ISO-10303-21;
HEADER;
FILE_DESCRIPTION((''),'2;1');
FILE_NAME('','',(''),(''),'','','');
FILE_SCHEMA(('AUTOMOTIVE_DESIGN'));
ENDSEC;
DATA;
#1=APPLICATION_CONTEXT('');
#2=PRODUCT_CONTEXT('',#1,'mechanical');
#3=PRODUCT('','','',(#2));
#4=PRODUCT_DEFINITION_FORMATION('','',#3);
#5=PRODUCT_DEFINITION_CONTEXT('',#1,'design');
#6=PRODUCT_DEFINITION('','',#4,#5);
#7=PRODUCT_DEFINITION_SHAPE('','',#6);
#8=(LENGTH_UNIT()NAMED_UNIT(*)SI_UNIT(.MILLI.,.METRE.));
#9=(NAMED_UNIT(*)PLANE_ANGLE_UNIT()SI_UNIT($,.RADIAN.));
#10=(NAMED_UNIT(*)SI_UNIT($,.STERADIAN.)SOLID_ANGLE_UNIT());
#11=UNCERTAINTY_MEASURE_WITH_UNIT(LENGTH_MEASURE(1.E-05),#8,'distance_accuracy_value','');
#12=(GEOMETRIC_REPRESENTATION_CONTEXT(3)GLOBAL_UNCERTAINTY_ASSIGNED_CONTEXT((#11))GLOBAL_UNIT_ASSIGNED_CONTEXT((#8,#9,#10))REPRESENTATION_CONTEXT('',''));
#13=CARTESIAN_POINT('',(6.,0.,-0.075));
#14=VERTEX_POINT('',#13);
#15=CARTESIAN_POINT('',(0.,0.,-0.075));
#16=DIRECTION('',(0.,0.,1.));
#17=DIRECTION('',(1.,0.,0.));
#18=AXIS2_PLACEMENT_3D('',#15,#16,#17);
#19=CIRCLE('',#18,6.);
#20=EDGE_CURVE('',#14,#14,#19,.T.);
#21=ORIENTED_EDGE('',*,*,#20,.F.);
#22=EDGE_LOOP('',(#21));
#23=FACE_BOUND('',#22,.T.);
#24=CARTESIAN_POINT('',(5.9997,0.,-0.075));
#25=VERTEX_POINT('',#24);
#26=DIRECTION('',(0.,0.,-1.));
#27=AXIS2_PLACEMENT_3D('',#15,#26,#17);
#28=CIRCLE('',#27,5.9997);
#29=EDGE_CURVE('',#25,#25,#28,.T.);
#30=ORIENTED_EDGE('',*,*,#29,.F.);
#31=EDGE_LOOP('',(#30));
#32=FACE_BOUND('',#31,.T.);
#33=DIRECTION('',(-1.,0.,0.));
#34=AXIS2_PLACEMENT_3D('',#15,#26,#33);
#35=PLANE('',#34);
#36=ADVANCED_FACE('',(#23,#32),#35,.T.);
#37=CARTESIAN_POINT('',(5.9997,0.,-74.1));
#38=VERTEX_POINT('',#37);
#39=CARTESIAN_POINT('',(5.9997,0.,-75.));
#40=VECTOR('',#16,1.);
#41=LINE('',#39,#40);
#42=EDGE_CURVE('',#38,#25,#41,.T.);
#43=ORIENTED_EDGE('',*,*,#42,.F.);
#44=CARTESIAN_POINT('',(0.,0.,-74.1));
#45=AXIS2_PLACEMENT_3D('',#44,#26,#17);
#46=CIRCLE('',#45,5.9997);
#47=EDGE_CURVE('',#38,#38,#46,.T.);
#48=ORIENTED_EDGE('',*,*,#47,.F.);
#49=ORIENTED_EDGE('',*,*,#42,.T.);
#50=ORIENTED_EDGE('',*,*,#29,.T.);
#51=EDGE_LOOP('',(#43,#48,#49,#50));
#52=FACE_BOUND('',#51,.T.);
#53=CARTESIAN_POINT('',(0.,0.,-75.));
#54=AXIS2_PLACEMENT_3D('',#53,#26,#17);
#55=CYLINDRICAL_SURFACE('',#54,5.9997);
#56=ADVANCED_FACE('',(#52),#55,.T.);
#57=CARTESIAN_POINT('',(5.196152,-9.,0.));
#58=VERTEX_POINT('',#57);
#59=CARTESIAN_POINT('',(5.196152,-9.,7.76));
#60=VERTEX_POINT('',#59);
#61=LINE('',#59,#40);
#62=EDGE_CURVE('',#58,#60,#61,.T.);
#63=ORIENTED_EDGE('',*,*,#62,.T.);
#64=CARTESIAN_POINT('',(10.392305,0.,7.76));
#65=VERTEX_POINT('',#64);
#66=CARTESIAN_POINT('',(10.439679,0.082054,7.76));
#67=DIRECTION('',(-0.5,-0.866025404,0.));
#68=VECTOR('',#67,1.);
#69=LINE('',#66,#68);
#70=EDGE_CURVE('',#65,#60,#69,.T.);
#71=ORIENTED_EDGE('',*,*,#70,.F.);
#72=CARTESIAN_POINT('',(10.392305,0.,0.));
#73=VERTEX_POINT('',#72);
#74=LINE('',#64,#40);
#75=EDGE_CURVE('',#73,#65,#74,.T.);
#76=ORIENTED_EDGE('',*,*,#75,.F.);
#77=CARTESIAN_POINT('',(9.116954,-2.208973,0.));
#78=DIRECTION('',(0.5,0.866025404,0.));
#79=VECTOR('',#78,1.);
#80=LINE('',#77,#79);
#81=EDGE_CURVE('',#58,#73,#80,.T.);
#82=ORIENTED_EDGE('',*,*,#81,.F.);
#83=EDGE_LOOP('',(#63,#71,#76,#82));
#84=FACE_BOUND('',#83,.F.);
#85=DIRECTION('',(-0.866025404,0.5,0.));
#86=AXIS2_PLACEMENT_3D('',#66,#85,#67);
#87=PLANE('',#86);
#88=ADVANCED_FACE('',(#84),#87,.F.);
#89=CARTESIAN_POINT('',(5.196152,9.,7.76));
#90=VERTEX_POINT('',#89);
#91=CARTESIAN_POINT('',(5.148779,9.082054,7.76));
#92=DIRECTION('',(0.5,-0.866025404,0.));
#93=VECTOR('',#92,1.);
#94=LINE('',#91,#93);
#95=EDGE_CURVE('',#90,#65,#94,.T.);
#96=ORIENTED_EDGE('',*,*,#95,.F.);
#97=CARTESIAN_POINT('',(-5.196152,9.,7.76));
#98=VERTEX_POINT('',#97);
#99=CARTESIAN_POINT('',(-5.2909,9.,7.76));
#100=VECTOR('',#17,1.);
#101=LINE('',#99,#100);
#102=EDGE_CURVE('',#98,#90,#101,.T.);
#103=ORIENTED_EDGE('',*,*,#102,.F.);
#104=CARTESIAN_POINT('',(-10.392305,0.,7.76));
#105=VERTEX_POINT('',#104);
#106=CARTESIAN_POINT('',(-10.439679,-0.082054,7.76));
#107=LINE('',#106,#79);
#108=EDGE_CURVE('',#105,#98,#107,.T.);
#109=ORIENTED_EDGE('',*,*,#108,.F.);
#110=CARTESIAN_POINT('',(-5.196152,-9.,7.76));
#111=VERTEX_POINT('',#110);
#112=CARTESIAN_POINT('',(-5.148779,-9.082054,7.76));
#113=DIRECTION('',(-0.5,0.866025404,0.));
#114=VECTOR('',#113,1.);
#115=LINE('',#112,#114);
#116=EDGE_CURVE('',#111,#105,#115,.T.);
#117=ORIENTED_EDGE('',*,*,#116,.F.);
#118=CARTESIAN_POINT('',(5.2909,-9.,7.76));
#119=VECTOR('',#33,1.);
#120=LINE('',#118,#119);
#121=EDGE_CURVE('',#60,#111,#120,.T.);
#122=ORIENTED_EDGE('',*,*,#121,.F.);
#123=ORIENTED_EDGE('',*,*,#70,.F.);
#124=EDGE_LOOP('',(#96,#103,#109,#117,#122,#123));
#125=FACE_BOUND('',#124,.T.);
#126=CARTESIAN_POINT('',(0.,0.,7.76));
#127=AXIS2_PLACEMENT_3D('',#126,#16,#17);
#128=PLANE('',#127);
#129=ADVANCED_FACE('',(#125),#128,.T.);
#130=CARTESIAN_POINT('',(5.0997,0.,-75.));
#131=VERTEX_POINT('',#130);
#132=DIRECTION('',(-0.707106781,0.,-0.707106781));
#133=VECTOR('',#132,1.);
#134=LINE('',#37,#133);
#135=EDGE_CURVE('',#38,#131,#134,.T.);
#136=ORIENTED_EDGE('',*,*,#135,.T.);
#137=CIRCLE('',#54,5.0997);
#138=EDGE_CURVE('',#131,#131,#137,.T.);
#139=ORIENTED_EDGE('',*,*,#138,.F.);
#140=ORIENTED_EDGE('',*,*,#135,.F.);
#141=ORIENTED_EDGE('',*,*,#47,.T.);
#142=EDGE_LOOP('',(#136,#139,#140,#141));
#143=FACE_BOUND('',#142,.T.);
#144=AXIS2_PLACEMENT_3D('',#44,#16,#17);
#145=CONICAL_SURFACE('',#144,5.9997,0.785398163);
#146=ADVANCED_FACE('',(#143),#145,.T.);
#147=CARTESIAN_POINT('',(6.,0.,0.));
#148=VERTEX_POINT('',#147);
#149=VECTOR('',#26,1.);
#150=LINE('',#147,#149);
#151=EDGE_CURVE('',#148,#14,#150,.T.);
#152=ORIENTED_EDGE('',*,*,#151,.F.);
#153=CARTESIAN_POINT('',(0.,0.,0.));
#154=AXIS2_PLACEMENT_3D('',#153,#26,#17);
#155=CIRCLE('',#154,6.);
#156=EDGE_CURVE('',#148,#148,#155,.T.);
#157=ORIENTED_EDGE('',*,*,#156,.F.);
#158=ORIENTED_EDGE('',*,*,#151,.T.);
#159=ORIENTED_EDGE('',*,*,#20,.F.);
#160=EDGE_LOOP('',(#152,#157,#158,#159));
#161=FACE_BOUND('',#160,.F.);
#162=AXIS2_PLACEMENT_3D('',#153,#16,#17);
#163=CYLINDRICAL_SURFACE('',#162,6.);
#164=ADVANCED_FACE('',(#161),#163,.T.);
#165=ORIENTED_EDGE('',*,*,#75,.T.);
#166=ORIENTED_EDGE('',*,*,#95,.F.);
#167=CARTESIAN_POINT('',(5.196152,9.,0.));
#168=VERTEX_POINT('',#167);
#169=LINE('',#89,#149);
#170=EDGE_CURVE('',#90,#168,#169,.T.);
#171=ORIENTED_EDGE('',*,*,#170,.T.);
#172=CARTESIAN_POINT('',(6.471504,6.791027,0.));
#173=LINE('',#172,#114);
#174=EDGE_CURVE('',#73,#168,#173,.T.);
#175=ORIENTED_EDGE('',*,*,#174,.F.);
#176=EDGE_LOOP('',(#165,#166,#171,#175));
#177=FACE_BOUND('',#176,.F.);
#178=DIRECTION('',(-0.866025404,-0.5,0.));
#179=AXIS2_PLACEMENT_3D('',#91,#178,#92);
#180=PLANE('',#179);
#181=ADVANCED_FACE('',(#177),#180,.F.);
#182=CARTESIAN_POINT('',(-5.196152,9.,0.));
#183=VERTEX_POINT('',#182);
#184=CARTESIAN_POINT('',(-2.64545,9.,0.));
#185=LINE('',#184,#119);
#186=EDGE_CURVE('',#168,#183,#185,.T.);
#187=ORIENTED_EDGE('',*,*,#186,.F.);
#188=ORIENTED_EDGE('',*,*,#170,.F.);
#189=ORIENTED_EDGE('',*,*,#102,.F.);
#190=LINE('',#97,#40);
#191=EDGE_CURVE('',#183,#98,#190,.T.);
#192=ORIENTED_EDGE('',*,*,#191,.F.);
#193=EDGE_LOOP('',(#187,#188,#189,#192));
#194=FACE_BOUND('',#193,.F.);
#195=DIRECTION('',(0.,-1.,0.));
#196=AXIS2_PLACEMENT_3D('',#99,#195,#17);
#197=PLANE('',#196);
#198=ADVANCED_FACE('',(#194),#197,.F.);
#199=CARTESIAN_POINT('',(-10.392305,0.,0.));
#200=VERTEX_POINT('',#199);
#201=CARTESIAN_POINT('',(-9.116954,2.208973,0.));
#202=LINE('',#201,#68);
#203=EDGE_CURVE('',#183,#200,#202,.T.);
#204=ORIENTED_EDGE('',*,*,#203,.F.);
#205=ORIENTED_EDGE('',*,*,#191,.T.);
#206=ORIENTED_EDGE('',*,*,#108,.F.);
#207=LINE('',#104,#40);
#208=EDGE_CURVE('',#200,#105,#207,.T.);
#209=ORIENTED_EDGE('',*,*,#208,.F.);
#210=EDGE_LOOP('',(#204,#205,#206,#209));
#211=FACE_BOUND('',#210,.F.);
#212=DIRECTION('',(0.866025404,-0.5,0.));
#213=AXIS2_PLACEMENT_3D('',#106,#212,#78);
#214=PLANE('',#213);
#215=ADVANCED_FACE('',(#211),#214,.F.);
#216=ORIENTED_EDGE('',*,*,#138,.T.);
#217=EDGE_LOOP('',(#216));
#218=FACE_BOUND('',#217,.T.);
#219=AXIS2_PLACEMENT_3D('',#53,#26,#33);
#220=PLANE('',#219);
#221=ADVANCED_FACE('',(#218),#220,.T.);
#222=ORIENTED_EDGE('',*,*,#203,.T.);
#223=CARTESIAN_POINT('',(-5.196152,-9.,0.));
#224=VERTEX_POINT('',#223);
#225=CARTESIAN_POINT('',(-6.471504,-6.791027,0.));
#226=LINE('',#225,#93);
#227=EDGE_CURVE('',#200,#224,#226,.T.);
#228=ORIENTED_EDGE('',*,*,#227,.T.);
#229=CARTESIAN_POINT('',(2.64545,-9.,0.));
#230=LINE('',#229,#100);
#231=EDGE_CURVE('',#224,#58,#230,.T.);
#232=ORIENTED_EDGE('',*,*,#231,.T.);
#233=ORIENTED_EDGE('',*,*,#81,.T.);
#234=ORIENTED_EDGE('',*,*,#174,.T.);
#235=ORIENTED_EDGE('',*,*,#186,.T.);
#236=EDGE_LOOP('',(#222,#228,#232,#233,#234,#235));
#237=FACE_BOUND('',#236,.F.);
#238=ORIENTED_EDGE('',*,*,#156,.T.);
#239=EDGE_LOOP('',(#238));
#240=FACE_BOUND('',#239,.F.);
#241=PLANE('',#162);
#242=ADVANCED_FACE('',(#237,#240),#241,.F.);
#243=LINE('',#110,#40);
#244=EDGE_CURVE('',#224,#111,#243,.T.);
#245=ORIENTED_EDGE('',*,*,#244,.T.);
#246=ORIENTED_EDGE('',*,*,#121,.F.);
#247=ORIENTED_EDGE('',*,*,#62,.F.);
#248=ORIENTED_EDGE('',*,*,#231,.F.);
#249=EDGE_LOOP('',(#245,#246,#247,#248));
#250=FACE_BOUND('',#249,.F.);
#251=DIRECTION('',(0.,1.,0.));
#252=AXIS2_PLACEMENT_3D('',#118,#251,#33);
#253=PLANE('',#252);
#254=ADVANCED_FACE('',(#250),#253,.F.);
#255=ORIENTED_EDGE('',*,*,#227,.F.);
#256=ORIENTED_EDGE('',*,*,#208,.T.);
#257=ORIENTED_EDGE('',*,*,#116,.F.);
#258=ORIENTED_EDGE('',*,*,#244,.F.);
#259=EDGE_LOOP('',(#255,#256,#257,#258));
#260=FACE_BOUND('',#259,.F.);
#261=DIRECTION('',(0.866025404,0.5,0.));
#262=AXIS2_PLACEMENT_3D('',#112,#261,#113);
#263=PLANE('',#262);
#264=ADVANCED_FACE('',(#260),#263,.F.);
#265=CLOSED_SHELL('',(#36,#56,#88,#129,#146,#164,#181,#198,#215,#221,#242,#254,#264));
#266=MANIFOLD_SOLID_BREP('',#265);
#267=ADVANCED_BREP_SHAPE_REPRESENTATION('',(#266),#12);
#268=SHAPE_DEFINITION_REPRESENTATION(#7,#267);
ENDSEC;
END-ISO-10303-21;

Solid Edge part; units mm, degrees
sketch "Sketch1" plane through (0, 0, 0) normal (0, 0, 1) x (1, 0, 0)
  circle A0 centre (0, 0) radius 10.44
  dimension "D1" = 20.88
extrude "Protrusion1" add sketch "Sketch1" along normal blind 7.76
sketch "Sketch2" plane through (0, 0, 0) normal (0, 0, -1) x (1, 0, 0)
  circle A0 centre (0, 0) radius 6
extrude "Protrusion2" add sketch "Sketch2" along normal blind 75
sketch "Sketch3" plane through (0, 0, -75) normal (0, 0, -1) x (1, 0, 0)
  circle A0 centre (0, 0) radius 5.9997
extrude "Cutout1" cut sketch "Sketch3" against normal blind 74.925 flip side to cut
chamfer "Chamfer_1" distance 0.9 angle 45 1 edges at (-5.9997, 0, -75)
sketch "Sketch4" plane through (0, 0, 7.76) normal (0, 0, 1) x (1, 0, 0)
  line L0 (-5.2909, 9) -> (5.2909, 9)
  dimension "D1" = 18
extrude "Cutout2" cut sketch "Sketch4" against normal up to next material side at (0, 9.05, 7.76)
pattern_circular "Pattern1" count 6 over 360 about axis through (0, 0, 7.76) along (0, 0, 1) of "Cutout2"
properties part number "185623" material "Stainless Steel, 304"
